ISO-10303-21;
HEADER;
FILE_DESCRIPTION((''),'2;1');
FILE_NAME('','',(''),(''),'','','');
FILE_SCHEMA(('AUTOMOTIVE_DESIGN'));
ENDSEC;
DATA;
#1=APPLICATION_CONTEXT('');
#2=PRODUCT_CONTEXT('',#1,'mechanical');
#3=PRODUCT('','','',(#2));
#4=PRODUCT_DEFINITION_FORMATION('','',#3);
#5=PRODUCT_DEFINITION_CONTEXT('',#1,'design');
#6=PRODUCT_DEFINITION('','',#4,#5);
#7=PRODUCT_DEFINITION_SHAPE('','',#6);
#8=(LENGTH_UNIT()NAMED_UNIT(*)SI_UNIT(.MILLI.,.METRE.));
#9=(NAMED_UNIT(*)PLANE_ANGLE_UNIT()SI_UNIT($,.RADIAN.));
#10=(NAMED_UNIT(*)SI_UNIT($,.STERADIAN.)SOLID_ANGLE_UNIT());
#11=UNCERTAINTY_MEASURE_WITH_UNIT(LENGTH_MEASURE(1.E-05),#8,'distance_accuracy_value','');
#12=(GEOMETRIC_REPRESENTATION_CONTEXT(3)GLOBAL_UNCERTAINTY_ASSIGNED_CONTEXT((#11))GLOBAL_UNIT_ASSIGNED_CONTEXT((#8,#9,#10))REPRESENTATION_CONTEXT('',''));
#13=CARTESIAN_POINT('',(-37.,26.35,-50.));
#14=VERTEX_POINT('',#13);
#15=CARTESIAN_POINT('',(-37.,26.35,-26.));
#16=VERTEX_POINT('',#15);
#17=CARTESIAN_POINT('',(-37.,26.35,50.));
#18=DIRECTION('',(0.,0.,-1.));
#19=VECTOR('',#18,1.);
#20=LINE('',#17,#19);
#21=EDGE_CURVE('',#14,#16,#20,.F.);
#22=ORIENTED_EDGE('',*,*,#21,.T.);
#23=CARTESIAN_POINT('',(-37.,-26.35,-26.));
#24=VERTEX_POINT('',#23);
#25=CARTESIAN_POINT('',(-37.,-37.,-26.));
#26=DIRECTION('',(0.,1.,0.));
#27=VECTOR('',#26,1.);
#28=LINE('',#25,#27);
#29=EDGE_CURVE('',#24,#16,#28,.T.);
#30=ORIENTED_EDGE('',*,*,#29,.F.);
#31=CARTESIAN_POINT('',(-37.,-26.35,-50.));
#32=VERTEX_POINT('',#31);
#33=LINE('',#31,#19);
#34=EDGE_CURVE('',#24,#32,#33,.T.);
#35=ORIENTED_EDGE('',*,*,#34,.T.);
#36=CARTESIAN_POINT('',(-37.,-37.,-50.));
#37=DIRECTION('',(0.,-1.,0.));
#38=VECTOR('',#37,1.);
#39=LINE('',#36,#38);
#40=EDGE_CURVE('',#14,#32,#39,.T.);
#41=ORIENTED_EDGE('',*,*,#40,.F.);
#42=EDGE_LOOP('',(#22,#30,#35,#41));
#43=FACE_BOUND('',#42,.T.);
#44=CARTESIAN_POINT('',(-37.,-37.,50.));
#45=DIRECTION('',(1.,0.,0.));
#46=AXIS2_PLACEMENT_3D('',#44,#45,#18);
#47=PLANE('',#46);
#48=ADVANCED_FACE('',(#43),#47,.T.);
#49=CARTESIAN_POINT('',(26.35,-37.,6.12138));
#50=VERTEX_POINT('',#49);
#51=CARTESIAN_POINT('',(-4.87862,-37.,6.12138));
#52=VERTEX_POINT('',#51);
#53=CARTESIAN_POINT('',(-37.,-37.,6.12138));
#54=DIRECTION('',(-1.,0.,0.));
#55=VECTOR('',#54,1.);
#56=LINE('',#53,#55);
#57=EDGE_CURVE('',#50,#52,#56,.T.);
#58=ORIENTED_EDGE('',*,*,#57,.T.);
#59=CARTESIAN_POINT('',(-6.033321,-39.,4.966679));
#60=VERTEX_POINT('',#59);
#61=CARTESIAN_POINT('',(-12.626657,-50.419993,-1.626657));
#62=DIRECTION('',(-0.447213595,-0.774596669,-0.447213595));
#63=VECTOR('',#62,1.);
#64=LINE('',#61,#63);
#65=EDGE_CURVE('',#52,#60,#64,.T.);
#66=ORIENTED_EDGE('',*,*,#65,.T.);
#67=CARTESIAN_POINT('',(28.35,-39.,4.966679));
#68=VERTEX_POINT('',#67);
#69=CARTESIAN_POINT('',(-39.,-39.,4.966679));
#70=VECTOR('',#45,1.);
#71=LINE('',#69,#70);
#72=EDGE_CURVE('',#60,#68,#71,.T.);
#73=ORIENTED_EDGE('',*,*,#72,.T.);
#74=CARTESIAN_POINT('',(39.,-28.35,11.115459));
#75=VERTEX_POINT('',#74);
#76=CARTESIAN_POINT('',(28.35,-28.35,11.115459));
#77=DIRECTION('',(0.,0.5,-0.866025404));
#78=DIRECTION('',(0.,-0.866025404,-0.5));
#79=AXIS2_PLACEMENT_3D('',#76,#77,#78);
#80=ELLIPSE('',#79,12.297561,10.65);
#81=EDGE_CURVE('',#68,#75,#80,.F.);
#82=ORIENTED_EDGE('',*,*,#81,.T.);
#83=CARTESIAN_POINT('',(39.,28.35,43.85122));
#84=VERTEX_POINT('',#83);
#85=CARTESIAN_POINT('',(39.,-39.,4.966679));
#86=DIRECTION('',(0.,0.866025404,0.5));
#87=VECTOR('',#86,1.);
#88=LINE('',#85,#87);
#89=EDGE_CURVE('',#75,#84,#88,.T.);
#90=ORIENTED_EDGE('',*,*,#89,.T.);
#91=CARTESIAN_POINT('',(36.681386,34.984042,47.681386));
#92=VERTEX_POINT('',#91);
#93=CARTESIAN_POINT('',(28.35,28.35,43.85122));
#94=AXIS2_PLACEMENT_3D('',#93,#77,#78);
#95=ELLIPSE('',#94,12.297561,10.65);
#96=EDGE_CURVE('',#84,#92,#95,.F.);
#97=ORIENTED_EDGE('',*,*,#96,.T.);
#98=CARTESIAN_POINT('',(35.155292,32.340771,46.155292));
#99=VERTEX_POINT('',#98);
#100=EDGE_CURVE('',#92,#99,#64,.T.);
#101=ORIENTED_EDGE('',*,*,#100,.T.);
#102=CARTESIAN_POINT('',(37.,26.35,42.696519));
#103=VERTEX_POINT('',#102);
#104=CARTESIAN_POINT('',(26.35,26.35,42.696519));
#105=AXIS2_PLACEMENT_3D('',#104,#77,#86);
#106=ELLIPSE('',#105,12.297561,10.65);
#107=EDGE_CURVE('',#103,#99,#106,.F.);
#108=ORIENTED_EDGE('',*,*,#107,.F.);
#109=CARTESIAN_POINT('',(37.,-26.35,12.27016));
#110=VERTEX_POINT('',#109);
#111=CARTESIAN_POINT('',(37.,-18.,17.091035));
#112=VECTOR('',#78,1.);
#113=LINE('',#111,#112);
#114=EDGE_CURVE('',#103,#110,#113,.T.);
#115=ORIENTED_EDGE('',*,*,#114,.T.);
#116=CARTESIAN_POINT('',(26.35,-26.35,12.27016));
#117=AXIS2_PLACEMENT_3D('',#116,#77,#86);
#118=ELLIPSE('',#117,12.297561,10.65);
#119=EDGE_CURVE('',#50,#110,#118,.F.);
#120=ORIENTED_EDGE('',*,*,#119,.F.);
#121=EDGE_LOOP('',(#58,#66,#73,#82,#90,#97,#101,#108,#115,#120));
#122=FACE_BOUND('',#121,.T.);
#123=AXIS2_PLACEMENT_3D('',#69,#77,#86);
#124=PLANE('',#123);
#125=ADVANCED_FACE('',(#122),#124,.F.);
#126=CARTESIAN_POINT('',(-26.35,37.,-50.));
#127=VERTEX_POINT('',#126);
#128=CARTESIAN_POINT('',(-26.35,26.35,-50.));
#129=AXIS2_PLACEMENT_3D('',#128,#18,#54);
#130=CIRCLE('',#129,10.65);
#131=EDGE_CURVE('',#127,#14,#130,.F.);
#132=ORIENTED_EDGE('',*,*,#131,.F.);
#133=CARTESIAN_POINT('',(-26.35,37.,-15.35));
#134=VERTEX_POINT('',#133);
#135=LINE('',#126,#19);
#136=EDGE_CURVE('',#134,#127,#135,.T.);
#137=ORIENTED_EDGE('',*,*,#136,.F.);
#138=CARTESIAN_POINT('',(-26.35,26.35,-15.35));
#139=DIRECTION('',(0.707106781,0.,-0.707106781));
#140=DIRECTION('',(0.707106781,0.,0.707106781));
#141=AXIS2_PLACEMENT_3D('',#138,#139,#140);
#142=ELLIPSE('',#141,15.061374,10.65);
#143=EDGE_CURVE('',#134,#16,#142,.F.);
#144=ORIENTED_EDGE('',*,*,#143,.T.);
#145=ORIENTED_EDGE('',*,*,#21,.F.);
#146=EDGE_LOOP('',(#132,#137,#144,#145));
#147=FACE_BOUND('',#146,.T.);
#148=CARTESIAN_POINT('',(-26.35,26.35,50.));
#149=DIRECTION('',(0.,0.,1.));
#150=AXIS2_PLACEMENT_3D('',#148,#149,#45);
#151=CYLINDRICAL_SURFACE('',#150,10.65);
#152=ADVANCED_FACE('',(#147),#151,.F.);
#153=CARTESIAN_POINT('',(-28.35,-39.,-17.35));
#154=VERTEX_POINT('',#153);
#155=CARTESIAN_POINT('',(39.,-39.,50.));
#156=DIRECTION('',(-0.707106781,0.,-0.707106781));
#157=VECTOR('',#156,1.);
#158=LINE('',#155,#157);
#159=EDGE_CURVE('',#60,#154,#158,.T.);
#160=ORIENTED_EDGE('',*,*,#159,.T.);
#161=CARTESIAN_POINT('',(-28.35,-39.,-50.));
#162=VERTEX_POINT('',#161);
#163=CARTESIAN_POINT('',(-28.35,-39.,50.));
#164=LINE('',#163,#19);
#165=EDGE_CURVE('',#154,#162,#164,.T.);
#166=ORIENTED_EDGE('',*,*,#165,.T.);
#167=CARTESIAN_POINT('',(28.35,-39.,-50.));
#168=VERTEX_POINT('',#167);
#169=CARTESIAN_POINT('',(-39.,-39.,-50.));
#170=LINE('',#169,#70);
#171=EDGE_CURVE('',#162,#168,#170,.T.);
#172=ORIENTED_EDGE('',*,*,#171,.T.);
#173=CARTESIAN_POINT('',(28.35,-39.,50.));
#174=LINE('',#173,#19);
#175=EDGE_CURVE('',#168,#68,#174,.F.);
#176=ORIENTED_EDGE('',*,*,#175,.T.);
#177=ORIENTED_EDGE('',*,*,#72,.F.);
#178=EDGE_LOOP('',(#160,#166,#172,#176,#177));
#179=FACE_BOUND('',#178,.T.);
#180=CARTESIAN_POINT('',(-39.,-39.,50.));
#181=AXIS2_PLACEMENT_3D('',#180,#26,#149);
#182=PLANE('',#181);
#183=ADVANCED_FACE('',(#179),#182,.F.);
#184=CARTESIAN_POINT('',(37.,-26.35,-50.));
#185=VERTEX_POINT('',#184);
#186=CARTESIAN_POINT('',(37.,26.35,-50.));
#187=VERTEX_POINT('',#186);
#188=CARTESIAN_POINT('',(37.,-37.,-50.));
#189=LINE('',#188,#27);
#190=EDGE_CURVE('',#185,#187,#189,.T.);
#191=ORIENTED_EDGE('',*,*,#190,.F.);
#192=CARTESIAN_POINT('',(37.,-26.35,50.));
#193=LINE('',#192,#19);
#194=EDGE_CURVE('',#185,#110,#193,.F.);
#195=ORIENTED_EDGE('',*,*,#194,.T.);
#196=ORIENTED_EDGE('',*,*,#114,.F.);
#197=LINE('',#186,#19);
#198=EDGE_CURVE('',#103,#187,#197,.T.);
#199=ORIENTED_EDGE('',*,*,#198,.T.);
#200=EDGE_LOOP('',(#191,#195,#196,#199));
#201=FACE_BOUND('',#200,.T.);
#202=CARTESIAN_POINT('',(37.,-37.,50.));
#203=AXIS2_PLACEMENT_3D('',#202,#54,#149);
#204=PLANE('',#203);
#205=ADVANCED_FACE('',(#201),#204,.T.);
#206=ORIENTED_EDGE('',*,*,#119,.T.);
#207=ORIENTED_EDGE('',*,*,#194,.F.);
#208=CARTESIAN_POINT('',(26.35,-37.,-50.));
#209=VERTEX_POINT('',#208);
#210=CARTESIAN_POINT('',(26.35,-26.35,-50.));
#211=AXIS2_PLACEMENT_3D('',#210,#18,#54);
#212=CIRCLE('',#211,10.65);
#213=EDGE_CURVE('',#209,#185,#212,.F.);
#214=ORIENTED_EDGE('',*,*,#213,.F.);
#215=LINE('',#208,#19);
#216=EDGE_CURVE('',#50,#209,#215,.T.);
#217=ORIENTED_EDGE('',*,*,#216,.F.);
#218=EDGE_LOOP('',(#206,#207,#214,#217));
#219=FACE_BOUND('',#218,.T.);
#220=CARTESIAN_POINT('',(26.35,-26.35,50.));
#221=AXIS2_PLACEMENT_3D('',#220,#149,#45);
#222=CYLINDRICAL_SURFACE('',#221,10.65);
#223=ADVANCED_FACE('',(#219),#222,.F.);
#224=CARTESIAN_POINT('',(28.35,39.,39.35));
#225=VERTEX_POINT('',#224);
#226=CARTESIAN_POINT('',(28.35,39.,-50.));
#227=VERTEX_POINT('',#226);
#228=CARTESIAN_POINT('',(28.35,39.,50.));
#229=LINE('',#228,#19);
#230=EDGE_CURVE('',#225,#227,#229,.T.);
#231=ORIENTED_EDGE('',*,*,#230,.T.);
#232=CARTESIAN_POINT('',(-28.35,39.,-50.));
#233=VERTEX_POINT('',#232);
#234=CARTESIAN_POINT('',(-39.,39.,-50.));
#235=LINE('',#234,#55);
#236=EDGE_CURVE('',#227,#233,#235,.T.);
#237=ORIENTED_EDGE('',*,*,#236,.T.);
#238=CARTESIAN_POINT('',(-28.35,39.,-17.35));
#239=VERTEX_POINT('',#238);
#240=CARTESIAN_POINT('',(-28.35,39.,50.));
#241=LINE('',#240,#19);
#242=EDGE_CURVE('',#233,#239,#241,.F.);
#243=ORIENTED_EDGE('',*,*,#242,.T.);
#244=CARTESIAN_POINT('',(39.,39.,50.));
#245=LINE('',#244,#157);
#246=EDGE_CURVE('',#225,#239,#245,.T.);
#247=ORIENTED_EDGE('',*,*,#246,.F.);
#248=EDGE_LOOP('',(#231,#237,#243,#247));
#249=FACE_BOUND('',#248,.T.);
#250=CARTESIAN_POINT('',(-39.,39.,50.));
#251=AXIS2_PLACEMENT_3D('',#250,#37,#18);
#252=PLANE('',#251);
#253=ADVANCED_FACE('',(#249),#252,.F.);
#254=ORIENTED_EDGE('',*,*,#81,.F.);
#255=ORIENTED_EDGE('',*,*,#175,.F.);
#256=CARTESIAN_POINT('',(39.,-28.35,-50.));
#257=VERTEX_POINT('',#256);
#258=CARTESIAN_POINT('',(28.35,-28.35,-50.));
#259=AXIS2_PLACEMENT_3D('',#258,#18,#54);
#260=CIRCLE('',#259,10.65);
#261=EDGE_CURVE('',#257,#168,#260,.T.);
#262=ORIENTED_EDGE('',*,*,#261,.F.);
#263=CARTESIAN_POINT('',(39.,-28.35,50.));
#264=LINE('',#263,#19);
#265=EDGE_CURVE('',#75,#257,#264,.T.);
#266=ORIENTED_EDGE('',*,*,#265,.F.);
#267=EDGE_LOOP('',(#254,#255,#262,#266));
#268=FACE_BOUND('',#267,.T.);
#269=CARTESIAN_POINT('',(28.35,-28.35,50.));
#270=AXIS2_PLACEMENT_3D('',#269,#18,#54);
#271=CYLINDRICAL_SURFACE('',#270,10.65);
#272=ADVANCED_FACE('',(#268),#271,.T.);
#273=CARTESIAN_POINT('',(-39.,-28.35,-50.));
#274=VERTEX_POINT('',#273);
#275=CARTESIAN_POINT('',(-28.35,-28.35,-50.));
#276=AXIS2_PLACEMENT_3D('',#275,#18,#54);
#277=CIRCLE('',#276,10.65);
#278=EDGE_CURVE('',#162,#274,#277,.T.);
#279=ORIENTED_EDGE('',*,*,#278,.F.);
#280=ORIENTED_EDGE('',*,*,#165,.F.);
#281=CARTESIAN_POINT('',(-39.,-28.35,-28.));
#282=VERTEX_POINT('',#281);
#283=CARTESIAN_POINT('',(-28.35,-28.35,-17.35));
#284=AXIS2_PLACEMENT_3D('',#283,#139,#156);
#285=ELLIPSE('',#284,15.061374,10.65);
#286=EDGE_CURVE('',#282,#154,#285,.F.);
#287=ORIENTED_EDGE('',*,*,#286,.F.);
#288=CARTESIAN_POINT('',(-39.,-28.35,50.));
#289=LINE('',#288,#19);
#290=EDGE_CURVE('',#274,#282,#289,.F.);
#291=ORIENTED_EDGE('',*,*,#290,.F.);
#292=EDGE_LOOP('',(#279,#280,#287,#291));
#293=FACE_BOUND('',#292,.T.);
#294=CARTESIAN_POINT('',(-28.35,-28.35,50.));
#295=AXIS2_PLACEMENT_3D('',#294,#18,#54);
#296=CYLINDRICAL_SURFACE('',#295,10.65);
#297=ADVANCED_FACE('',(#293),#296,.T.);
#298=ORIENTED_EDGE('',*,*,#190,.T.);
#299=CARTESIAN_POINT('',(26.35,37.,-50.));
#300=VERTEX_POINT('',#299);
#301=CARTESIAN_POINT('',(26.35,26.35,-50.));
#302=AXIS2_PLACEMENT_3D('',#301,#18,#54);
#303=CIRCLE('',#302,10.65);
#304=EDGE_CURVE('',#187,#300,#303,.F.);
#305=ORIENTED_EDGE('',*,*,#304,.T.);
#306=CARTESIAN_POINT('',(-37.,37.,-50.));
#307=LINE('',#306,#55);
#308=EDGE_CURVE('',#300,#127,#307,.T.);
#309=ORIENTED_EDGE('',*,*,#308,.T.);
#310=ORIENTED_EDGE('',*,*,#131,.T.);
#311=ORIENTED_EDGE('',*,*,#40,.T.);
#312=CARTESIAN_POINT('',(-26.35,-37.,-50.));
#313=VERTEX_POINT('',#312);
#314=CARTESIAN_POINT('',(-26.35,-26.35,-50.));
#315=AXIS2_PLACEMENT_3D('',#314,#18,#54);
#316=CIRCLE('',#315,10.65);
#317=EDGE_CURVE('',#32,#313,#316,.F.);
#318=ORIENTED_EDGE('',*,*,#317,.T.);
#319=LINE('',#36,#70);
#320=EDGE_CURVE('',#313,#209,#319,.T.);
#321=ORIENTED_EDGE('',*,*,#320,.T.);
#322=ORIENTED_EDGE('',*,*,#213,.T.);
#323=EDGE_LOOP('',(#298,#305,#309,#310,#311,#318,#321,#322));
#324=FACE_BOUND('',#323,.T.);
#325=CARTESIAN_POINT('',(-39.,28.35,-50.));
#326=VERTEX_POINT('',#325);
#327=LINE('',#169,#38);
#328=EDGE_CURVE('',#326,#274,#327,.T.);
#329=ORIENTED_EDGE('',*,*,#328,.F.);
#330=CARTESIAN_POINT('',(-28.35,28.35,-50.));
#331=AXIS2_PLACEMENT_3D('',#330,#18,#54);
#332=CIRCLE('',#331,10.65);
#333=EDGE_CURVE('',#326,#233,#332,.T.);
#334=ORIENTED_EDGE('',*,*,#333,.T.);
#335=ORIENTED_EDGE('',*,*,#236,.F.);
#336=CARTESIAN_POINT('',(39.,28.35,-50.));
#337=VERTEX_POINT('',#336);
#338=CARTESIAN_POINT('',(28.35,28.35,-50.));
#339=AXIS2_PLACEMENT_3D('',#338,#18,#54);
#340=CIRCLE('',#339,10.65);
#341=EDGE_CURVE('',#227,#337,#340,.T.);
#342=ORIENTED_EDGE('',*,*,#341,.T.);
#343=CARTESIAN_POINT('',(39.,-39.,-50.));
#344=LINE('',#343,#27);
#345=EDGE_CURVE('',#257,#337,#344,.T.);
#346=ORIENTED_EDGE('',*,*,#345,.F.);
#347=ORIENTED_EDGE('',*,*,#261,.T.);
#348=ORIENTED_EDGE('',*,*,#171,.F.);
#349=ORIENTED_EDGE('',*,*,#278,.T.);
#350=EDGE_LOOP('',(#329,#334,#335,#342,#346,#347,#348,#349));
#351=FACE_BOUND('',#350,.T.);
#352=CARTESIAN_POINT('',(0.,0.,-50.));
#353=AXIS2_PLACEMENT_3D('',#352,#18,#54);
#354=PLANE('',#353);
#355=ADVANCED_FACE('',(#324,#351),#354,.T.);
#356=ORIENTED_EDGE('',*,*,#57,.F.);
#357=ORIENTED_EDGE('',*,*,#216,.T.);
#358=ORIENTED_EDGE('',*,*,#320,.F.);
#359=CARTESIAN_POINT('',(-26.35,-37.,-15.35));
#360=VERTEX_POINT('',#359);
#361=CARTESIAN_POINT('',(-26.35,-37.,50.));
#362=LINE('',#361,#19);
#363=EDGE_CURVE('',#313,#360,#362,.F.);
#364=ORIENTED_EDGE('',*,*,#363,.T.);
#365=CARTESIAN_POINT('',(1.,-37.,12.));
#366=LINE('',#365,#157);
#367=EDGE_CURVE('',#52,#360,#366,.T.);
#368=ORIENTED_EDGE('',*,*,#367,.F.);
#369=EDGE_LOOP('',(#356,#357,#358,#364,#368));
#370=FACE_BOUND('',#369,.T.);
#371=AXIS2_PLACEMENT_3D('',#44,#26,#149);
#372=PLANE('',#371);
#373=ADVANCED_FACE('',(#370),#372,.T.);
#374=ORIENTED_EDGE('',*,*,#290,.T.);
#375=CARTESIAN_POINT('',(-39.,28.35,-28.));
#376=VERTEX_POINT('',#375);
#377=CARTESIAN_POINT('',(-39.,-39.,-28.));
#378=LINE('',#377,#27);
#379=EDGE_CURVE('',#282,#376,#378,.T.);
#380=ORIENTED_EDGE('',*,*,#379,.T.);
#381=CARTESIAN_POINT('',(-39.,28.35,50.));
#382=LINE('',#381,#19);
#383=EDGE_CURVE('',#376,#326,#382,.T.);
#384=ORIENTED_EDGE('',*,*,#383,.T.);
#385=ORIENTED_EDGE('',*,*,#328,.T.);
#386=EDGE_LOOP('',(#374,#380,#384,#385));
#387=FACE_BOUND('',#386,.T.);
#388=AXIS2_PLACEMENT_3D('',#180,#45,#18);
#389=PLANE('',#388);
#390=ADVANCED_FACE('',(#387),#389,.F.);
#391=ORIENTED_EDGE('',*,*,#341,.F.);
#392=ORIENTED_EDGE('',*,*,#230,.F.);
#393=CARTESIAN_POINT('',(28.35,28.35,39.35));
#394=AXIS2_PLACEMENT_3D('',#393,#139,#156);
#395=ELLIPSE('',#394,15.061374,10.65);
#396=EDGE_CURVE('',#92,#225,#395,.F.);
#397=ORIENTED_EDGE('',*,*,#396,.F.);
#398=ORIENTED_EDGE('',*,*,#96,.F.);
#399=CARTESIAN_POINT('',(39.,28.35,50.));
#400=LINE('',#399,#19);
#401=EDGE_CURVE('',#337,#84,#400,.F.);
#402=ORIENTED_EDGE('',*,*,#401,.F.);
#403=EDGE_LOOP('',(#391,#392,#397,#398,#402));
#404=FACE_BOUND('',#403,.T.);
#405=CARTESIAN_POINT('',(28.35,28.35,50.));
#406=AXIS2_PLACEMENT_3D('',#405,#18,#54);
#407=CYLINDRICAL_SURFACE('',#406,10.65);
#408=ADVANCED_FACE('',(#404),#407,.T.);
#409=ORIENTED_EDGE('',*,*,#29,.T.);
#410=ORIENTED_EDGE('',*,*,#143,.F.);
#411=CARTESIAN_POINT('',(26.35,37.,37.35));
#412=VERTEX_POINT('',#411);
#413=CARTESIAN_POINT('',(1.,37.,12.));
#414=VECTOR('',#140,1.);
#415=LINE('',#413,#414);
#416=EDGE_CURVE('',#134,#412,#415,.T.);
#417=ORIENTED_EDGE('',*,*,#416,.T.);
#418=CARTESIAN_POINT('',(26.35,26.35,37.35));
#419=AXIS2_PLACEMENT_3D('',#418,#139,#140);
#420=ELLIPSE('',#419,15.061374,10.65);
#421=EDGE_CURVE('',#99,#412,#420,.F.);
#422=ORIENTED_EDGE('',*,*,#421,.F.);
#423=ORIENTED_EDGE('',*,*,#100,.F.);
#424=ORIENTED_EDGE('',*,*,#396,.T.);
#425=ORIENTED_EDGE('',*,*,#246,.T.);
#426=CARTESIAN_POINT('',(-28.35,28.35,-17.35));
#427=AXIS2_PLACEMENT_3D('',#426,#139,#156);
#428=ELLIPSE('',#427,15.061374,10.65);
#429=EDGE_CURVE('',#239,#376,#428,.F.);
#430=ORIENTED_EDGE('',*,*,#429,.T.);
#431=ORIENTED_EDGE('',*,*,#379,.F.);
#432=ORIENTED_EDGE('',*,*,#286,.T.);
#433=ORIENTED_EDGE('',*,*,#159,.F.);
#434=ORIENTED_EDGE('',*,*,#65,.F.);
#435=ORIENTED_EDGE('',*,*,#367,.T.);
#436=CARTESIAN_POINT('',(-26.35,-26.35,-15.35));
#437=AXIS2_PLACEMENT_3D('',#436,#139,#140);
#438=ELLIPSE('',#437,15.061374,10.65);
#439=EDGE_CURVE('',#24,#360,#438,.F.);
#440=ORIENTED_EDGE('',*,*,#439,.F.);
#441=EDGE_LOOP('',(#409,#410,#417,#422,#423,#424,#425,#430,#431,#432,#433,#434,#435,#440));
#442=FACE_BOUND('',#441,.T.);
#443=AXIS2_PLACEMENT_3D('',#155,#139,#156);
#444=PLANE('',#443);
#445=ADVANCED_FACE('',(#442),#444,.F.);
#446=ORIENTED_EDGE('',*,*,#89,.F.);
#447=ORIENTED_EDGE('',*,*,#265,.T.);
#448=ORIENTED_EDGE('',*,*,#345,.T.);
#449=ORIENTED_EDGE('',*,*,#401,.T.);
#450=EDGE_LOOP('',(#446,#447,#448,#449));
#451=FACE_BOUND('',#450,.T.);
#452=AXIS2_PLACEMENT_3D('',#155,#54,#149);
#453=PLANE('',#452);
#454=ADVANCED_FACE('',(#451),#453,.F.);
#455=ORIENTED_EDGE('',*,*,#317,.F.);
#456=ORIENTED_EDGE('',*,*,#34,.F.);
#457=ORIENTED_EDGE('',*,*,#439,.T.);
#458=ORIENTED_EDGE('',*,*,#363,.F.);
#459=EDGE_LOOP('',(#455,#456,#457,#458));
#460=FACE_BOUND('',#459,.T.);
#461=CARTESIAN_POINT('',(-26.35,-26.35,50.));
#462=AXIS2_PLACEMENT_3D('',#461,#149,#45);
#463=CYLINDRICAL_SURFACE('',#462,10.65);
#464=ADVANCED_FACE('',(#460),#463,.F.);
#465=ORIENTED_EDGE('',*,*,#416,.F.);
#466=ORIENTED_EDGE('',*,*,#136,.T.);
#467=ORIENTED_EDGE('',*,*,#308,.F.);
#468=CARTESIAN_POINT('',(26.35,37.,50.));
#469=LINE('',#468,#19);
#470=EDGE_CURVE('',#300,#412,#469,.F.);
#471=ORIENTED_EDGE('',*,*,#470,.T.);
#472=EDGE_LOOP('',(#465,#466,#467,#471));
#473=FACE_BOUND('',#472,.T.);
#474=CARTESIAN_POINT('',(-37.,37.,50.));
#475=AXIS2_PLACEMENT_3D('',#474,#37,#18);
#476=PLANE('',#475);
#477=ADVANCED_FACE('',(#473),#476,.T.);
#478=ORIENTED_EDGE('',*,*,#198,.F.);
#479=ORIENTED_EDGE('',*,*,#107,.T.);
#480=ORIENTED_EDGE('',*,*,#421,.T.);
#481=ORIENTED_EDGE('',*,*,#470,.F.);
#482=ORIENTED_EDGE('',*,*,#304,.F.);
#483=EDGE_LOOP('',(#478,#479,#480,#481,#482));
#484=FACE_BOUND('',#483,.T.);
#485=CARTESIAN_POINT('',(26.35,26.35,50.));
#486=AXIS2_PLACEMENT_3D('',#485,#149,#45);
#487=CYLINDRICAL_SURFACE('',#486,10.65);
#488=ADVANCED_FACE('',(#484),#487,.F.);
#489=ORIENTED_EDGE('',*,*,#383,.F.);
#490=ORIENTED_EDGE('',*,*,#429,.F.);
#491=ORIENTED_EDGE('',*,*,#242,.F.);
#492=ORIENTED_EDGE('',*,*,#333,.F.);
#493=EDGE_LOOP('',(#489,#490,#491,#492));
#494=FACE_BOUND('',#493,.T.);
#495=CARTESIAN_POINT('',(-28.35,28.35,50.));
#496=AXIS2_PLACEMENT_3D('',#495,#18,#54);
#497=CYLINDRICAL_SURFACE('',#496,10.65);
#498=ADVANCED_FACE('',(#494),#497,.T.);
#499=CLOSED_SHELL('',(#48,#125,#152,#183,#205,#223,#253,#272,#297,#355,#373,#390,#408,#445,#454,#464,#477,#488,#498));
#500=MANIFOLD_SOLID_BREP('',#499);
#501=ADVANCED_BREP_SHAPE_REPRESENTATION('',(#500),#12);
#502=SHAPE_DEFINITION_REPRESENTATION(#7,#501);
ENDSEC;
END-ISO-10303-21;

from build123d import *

# Parameters (mm, degrees)
SKETCH1_W           = 78
SKETCH1_H           = 78
SKETCH1_W_2         = 74
SKETCH1_H_2         = 74
BOSS_EXTRUDE1_DEPTH = 50
FILLET1_R           = 10.65
CUT_EXTRUDE1_DEPTH  = 101.523629063
CUT_EXTRUDE2_DEPTH  = 101.523629063


with BuildPart() as part:
    # Sketch1 → Boss-Extrude1 (new, symmetric)
    with BuildSketch(Plane.XY):
        Rectangle(SKETCH1_W, SKETCH1_H)
        Rectangle(SKETCH1_W_2, SKETCH1_H_2, mode=Mode.SUBTRACT)
    extrude(amount=BOSS_EXTRUDE1_DEPTH, both=True)

    # Fillet1
    fillet1_edges = [part.edges().sort_by_distance(p)[0] for p in [
        (37, -37, 0),
        (37, 37, 0),
        (-37, 37, 0),
        (-37, -37, 0),
        (39, -39, 0),
        (-39, -39, 0),
        (-39, 39, 0),
        (39, 39, 0),
    ]]
    fillet(fillet1_edges, radius=FILLET1_R)

    # Sketch2 → Cut-Extrude1 (cut, through all)
    with BuildSketch(Plane(origin=(39, 0, 0), x_dir=(0, 0, -1), z_dir=(1, 0, 0))):
        Polygon((-50, 39), (-50, -39), (-4.966679003, -39), align=None)
    extrude(amount=-CUT_EXTRUDE1_DEPTH, mode=Mode.SUBTRACT)

    # Sketch3 → Cut-Extrude2 (cut, through all)
    with BuildSketch(Plane(origin=(0, 39, 0), x_dir=(1, 0, 0), z_dir=(0, 1, 0))):
        Polygon((-39, -50), (39, -50), (-39, 28), align=None)
    extrude(amount=-CUT_EXTRUDE2_DEPTH, mode=Mode.SUBTRACT)


solid = part.part
